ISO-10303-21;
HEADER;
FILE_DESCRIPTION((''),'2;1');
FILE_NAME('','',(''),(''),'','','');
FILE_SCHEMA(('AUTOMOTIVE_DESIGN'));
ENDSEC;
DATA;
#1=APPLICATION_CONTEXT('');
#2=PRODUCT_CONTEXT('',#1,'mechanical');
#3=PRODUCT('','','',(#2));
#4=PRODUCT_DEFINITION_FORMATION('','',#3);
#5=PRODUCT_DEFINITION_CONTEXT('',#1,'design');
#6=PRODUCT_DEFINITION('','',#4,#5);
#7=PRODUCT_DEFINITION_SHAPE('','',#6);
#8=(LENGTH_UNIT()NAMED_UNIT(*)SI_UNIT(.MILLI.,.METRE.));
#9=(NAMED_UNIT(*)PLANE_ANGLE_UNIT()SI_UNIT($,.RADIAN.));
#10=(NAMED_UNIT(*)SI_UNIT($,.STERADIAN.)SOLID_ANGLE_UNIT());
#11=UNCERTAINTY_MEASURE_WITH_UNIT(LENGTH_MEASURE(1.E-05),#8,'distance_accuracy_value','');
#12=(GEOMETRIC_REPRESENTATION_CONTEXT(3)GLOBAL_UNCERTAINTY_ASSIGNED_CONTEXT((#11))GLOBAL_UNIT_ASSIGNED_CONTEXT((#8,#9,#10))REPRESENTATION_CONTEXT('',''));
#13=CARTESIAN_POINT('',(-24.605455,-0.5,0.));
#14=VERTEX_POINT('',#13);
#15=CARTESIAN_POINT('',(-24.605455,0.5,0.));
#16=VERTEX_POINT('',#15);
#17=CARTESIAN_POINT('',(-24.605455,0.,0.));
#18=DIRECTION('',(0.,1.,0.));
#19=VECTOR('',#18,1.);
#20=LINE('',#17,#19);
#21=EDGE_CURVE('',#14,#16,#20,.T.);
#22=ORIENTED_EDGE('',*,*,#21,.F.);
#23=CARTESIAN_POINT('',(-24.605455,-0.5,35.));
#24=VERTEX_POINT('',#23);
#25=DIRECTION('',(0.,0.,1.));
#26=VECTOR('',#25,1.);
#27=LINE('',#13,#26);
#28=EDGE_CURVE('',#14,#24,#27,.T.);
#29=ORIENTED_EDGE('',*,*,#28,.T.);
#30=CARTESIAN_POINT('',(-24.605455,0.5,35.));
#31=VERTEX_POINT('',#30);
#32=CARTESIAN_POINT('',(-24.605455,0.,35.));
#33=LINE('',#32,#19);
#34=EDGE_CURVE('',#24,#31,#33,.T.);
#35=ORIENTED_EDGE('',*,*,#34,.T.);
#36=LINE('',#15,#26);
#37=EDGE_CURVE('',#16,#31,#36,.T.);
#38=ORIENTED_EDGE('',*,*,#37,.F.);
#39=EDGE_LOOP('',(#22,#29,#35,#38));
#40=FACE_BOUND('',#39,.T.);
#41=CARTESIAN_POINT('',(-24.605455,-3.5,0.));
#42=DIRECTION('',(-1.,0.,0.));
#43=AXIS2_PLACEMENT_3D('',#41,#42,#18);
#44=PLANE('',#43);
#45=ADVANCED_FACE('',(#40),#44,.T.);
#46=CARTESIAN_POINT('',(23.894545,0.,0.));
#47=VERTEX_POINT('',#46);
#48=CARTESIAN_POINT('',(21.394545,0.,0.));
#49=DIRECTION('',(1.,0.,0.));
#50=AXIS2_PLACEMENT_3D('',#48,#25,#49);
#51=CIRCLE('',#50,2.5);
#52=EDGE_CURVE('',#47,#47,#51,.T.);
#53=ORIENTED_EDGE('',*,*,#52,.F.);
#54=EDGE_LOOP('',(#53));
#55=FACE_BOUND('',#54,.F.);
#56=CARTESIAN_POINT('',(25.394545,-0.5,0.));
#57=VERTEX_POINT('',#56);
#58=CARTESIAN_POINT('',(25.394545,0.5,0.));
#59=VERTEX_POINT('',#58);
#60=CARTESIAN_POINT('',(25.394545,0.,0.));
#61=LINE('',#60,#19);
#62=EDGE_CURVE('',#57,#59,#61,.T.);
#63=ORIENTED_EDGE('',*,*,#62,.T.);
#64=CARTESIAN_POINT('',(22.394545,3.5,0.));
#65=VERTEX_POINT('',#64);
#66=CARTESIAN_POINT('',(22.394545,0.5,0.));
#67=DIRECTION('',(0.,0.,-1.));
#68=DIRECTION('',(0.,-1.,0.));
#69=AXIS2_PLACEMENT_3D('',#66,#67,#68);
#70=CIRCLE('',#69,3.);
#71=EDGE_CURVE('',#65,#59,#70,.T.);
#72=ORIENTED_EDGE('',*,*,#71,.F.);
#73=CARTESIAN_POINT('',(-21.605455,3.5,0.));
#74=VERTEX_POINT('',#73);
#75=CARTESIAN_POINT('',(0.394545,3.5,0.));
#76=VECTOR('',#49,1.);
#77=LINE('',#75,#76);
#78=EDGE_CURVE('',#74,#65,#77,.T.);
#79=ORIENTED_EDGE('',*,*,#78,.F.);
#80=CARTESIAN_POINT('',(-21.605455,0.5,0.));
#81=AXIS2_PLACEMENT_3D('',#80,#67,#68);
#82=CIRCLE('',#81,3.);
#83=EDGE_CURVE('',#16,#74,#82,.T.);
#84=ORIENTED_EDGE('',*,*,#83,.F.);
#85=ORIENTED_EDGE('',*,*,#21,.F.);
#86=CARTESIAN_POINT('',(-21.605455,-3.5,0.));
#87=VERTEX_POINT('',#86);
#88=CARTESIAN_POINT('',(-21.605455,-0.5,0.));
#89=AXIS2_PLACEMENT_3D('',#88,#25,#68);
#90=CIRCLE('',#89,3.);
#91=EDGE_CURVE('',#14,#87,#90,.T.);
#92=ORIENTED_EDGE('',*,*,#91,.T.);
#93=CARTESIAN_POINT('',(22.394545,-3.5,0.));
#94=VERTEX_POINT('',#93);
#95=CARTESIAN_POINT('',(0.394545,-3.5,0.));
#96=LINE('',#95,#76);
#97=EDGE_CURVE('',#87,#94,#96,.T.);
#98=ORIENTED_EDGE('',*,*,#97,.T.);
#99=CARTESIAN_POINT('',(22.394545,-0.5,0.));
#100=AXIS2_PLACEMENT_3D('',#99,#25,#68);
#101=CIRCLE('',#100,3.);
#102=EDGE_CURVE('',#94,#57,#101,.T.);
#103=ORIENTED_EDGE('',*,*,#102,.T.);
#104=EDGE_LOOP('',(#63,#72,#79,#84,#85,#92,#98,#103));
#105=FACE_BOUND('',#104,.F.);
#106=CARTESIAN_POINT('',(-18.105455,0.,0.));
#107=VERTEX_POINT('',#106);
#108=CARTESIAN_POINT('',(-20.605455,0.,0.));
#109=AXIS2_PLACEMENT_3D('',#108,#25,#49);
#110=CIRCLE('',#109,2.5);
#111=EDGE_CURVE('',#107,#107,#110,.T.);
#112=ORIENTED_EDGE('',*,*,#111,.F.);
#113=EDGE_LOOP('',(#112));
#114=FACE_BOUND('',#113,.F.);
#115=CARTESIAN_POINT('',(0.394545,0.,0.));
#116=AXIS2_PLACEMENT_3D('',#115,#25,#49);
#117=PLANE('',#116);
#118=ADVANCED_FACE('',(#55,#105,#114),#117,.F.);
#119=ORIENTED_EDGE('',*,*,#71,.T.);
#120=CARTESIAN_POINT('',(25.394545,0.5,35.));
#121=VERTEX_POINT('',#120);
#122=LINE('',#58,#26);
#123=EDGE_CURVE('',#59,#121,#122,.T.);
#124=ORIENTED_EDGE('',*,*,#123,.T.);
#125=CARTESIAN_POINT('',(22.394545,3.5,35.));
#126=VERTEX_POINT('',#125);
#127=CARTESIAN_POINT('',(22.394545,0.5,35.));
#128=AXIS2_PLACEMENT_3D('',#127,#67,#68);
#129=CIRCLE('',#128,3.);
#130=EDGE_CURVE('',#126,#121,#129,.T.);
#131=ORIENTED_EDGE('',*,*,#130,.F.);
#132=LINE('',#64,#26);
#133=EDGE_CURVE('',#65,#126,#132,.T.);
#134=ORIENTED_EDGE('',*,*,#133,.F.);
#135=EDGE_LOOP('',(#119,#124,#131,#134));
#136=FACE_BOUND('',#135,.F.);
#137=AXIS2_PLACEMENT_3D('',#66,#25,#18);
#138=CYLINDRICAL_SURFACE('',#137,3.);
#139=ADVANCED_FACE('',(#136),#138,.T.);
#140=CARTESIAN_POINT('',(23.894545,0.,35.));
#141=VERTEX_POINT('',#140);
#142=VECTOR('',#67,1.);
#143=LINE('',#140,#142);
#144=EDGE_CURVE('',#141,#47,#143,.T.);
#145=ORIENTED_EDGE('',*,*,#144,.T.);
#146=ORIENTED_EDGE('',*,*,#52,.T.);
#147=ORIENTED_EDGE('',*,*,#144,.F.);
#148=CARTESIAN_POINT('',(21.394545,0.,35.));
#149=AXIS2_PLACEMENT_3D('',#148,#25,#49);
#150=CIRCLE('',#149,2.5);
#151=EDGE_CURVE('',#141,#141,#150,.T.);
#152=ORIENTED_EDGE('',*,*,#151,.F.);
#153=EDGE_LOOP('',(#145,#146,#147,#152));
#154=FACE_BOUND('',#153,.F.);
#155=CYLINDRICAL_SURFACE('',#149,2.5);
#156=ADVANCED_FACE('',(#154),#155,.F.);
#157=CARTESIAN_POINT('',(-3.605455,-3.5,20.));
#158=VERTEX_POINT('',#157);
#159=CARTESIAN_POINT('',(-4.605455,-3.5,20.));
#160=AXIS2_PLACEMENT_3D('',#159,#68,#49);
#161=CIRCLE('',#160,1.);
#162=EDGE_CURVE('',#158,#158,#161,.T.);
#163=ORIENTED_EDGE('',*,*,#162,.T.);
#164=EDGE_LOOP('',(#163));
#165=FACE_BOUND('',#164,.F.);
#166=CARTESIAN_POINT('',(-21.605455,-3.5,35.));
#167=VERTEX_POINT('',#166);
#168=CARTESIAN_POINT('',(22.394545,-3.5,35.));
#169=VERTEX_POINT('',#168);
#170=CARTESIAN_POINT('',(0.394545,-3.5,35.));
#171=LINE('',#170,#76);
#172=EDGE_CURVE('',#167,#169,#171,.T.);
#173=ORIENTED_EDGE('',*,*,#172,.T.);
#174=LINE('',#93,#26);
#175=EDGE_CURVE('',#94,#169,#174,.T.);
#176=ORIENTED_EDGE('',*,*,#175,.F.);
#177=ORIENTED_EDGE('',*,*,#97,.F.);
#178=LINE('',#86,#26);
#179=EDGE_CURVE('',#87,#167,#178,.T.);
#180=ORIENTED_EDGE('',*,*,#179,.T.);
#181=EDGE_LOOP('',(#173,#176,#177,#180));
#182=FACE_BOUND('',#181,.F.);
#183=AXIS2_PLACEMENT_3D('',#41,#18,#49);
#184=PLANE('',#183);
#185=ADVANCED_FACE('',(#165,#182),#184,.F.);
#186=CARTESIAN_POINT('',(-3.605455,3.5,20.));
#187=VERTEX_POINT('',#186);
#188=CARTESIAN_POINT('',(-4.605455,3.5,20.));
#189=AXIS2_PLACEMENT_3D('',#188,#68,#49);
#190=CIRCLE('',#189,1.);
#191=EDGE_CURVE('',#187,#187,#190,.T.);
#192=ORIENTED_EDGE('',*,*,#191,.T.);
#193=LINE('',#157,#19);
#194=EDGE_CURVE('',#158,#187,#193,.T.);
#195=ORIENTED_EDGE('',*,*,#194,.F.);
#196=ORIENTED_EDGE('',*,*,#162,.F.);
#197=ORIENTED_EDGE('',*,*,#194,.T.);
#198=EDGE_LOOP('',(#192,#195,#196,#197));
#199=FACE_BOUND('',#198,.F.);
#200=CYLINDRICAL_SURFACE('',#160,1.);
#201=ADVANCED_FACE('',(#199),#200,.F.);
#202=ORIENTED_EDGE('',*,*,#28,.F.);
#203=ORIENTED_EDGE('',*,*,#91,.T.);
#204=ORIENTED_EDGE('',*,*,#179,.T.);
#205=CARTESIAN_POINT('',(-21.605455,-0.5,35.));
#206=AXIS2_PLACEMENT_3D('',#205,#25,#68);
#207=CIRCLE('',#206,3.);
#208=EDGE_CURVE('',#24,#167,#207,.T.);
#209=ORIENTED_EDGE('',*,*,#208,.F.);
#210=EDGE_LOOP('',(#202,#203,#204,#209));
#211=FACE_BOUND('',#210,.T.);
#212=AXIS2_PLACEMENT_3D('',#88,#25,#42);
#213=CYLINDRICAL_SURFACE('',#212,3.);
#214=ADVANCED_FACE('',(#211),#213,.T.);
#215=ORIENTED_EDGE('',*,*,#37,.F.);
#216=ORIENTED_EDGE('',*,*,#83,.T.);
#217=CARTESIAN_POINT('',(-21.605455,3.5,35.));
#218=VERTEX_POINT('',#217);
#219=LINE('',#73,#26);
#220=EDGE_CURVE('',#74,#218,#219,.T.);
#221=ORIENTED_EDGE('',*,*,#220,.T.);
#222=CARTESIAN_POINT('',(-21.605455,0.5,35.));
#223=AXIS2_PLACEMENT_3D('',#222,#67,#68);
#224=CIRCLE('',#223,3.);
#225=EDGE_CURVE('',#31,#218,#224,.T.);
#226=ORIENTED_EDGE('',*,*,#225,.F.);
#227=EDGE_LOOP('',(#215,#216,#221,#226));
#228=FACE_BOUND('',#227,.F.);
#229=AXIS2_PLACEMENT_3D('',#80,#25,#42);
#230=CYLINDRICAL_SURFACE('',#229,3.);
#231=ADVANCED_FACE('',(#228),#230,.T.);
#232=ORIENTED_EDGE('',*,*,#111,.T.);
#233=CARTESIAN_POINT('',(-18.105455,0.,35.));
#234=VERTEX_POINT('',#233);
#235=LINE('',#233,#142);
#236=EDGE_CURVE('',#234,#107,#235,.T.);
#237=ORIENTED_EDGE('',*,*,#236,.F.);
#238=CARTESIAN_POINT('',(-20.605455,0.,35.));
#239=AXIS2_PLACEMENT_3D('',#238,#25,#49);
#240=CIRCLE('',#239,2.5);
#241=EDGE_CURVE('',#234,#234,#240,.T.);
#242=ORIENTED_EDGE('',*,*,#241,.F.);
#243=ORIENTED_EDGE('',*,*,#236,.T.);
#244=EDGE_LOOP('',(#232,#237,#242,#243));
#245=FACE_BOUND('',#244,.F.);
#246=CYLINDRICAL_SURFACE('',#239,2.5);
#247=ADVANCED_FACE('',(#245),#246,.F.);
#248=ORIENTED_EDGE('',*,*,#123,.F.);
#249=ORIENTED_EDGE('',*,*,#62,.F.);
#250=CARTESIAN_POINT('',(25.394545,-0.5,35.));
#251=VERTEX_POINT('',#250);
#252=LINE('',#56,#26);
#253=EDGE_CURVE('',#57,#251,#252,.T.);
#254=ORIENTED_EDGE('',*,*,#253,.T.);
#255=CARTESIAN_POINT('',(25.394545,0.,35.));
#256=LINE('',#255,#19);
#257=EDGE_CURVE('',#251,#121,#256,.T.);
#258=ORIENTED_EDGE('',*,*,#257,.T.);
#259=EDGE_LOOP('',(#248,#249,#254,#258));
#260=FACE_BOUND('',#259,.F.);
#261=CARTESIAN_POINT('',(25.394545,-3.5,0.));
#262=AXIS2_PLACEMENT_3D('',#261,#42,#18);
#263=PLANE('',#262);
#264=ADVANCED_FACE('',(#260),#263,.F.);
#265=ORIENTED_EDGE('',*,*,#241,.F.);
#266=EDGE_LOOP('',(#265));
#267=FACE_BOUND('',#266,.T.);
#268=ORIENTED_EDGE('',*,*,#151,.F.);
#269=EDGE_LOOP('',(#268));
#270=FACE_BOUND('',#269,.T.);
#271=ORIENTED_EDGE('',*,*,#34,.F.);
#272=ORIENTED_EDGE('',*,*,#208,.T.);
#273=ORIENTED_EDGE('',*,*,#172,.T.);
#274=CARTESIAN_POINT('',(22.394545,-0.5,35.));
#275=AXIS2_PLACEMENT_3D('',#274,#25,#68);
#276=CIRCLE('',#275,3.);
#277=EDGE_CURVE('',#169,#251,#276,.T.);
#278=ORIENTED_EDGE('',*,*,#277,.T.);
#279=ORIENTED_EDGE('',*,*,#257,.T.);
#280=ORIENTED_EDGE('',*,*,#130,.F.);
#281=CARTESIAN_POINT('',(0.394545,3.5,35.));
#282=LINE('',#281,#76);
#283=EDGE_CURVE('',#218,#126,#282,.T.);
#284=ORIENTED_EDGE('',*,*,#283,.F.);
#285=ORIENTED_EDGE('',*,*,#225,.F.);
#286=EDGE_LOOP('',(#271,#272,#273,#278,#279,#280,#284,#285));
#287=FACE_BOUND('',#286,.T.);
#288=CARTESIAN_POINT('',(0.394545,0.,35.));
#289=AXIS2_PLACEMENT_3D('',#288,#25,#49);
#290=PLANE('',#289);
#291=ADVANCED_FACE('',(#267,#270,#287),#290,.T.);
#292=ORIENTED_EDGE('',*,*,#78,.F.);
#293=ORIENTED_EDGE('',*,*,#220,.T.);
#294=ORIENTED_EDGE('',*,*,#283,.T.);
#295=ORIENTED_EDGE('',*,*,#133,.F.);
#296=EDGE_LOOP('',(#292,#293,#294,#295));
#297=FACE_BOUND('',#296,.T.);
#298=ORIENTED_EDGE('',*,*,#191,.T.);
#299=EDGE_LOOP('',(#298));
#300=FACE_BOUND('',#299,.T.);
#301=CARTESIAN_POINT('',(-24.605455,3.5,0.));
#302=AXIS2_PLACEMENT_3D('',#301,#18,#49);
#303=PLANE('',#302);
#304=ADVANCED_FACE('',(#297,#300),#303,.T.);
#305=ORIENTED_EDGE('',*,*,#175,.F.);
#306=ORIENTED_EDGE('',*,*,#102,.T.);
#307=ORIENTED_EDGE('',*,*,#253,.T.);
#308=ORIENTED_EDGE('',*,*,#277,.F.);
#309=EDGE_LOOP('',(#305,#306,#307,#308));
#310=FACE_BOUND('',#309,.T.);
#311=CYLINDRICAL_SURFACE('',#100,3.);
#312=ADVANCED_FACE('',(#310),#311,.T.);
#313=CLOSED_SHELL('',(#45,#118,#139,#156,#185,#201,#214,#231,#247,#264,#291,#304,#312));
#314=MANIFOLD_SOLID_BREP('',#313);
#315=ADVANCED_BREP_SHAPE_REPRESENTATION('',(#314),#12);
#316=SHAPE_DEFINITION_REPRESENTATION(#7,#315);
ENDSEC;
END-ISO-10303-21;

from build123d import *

# Parameters (mm, degrees)
F0_W     = 50
F0_H     = 7
F1_DEPTH = 35
F2_R     = 2.5
F3_DEPTH = 35
F4_R     = 3
F5_R     = 1
F6_DEPTH = 25


with BuildPart() as f1:
    # F0 (on Top) → F1 (new body)
    with BuildSketch(Plane.XY):
        with Locations((0.394545, 0)):
            Rectangle(F0_W, F0_H)
    extrude(amount=F1_DEPTH)

    # F2 (on face) → F3 (cut, through all)
    with BuildSketch(Plane.XY.offset(35)):
        with Locations((-20.605455, 0)):
            Circle(F2_R)
        with Locations((21.394545, 0)):
            Circle(F2_R)
    extrude(amount=-F3_DEPTH, mode=Mode.SUBTRACT)

    # F4
    f4_edges = [f1.edges().sort_by_distance(p)[0] for p in [
        (25.394545, -3.5, 17.5),
        (25.394545, 3.5, 17.5),
        (-24.605455, -3.5, 17.5),
        (-24.605455, 3.5, 17.5),
    ]]
    fillet(f4_edges, radius=F4_R)

    # F5 (on face) → F6 (cut)
    with BuildSketch(Plane.XZ.offset(3.5)):
        with Locations((-4.605455, 20)):
            Circle(F5_R)
    extrude(amount=-F6_DEPTH, mode=Mode.SUBTRACT)


solid = f1.part
